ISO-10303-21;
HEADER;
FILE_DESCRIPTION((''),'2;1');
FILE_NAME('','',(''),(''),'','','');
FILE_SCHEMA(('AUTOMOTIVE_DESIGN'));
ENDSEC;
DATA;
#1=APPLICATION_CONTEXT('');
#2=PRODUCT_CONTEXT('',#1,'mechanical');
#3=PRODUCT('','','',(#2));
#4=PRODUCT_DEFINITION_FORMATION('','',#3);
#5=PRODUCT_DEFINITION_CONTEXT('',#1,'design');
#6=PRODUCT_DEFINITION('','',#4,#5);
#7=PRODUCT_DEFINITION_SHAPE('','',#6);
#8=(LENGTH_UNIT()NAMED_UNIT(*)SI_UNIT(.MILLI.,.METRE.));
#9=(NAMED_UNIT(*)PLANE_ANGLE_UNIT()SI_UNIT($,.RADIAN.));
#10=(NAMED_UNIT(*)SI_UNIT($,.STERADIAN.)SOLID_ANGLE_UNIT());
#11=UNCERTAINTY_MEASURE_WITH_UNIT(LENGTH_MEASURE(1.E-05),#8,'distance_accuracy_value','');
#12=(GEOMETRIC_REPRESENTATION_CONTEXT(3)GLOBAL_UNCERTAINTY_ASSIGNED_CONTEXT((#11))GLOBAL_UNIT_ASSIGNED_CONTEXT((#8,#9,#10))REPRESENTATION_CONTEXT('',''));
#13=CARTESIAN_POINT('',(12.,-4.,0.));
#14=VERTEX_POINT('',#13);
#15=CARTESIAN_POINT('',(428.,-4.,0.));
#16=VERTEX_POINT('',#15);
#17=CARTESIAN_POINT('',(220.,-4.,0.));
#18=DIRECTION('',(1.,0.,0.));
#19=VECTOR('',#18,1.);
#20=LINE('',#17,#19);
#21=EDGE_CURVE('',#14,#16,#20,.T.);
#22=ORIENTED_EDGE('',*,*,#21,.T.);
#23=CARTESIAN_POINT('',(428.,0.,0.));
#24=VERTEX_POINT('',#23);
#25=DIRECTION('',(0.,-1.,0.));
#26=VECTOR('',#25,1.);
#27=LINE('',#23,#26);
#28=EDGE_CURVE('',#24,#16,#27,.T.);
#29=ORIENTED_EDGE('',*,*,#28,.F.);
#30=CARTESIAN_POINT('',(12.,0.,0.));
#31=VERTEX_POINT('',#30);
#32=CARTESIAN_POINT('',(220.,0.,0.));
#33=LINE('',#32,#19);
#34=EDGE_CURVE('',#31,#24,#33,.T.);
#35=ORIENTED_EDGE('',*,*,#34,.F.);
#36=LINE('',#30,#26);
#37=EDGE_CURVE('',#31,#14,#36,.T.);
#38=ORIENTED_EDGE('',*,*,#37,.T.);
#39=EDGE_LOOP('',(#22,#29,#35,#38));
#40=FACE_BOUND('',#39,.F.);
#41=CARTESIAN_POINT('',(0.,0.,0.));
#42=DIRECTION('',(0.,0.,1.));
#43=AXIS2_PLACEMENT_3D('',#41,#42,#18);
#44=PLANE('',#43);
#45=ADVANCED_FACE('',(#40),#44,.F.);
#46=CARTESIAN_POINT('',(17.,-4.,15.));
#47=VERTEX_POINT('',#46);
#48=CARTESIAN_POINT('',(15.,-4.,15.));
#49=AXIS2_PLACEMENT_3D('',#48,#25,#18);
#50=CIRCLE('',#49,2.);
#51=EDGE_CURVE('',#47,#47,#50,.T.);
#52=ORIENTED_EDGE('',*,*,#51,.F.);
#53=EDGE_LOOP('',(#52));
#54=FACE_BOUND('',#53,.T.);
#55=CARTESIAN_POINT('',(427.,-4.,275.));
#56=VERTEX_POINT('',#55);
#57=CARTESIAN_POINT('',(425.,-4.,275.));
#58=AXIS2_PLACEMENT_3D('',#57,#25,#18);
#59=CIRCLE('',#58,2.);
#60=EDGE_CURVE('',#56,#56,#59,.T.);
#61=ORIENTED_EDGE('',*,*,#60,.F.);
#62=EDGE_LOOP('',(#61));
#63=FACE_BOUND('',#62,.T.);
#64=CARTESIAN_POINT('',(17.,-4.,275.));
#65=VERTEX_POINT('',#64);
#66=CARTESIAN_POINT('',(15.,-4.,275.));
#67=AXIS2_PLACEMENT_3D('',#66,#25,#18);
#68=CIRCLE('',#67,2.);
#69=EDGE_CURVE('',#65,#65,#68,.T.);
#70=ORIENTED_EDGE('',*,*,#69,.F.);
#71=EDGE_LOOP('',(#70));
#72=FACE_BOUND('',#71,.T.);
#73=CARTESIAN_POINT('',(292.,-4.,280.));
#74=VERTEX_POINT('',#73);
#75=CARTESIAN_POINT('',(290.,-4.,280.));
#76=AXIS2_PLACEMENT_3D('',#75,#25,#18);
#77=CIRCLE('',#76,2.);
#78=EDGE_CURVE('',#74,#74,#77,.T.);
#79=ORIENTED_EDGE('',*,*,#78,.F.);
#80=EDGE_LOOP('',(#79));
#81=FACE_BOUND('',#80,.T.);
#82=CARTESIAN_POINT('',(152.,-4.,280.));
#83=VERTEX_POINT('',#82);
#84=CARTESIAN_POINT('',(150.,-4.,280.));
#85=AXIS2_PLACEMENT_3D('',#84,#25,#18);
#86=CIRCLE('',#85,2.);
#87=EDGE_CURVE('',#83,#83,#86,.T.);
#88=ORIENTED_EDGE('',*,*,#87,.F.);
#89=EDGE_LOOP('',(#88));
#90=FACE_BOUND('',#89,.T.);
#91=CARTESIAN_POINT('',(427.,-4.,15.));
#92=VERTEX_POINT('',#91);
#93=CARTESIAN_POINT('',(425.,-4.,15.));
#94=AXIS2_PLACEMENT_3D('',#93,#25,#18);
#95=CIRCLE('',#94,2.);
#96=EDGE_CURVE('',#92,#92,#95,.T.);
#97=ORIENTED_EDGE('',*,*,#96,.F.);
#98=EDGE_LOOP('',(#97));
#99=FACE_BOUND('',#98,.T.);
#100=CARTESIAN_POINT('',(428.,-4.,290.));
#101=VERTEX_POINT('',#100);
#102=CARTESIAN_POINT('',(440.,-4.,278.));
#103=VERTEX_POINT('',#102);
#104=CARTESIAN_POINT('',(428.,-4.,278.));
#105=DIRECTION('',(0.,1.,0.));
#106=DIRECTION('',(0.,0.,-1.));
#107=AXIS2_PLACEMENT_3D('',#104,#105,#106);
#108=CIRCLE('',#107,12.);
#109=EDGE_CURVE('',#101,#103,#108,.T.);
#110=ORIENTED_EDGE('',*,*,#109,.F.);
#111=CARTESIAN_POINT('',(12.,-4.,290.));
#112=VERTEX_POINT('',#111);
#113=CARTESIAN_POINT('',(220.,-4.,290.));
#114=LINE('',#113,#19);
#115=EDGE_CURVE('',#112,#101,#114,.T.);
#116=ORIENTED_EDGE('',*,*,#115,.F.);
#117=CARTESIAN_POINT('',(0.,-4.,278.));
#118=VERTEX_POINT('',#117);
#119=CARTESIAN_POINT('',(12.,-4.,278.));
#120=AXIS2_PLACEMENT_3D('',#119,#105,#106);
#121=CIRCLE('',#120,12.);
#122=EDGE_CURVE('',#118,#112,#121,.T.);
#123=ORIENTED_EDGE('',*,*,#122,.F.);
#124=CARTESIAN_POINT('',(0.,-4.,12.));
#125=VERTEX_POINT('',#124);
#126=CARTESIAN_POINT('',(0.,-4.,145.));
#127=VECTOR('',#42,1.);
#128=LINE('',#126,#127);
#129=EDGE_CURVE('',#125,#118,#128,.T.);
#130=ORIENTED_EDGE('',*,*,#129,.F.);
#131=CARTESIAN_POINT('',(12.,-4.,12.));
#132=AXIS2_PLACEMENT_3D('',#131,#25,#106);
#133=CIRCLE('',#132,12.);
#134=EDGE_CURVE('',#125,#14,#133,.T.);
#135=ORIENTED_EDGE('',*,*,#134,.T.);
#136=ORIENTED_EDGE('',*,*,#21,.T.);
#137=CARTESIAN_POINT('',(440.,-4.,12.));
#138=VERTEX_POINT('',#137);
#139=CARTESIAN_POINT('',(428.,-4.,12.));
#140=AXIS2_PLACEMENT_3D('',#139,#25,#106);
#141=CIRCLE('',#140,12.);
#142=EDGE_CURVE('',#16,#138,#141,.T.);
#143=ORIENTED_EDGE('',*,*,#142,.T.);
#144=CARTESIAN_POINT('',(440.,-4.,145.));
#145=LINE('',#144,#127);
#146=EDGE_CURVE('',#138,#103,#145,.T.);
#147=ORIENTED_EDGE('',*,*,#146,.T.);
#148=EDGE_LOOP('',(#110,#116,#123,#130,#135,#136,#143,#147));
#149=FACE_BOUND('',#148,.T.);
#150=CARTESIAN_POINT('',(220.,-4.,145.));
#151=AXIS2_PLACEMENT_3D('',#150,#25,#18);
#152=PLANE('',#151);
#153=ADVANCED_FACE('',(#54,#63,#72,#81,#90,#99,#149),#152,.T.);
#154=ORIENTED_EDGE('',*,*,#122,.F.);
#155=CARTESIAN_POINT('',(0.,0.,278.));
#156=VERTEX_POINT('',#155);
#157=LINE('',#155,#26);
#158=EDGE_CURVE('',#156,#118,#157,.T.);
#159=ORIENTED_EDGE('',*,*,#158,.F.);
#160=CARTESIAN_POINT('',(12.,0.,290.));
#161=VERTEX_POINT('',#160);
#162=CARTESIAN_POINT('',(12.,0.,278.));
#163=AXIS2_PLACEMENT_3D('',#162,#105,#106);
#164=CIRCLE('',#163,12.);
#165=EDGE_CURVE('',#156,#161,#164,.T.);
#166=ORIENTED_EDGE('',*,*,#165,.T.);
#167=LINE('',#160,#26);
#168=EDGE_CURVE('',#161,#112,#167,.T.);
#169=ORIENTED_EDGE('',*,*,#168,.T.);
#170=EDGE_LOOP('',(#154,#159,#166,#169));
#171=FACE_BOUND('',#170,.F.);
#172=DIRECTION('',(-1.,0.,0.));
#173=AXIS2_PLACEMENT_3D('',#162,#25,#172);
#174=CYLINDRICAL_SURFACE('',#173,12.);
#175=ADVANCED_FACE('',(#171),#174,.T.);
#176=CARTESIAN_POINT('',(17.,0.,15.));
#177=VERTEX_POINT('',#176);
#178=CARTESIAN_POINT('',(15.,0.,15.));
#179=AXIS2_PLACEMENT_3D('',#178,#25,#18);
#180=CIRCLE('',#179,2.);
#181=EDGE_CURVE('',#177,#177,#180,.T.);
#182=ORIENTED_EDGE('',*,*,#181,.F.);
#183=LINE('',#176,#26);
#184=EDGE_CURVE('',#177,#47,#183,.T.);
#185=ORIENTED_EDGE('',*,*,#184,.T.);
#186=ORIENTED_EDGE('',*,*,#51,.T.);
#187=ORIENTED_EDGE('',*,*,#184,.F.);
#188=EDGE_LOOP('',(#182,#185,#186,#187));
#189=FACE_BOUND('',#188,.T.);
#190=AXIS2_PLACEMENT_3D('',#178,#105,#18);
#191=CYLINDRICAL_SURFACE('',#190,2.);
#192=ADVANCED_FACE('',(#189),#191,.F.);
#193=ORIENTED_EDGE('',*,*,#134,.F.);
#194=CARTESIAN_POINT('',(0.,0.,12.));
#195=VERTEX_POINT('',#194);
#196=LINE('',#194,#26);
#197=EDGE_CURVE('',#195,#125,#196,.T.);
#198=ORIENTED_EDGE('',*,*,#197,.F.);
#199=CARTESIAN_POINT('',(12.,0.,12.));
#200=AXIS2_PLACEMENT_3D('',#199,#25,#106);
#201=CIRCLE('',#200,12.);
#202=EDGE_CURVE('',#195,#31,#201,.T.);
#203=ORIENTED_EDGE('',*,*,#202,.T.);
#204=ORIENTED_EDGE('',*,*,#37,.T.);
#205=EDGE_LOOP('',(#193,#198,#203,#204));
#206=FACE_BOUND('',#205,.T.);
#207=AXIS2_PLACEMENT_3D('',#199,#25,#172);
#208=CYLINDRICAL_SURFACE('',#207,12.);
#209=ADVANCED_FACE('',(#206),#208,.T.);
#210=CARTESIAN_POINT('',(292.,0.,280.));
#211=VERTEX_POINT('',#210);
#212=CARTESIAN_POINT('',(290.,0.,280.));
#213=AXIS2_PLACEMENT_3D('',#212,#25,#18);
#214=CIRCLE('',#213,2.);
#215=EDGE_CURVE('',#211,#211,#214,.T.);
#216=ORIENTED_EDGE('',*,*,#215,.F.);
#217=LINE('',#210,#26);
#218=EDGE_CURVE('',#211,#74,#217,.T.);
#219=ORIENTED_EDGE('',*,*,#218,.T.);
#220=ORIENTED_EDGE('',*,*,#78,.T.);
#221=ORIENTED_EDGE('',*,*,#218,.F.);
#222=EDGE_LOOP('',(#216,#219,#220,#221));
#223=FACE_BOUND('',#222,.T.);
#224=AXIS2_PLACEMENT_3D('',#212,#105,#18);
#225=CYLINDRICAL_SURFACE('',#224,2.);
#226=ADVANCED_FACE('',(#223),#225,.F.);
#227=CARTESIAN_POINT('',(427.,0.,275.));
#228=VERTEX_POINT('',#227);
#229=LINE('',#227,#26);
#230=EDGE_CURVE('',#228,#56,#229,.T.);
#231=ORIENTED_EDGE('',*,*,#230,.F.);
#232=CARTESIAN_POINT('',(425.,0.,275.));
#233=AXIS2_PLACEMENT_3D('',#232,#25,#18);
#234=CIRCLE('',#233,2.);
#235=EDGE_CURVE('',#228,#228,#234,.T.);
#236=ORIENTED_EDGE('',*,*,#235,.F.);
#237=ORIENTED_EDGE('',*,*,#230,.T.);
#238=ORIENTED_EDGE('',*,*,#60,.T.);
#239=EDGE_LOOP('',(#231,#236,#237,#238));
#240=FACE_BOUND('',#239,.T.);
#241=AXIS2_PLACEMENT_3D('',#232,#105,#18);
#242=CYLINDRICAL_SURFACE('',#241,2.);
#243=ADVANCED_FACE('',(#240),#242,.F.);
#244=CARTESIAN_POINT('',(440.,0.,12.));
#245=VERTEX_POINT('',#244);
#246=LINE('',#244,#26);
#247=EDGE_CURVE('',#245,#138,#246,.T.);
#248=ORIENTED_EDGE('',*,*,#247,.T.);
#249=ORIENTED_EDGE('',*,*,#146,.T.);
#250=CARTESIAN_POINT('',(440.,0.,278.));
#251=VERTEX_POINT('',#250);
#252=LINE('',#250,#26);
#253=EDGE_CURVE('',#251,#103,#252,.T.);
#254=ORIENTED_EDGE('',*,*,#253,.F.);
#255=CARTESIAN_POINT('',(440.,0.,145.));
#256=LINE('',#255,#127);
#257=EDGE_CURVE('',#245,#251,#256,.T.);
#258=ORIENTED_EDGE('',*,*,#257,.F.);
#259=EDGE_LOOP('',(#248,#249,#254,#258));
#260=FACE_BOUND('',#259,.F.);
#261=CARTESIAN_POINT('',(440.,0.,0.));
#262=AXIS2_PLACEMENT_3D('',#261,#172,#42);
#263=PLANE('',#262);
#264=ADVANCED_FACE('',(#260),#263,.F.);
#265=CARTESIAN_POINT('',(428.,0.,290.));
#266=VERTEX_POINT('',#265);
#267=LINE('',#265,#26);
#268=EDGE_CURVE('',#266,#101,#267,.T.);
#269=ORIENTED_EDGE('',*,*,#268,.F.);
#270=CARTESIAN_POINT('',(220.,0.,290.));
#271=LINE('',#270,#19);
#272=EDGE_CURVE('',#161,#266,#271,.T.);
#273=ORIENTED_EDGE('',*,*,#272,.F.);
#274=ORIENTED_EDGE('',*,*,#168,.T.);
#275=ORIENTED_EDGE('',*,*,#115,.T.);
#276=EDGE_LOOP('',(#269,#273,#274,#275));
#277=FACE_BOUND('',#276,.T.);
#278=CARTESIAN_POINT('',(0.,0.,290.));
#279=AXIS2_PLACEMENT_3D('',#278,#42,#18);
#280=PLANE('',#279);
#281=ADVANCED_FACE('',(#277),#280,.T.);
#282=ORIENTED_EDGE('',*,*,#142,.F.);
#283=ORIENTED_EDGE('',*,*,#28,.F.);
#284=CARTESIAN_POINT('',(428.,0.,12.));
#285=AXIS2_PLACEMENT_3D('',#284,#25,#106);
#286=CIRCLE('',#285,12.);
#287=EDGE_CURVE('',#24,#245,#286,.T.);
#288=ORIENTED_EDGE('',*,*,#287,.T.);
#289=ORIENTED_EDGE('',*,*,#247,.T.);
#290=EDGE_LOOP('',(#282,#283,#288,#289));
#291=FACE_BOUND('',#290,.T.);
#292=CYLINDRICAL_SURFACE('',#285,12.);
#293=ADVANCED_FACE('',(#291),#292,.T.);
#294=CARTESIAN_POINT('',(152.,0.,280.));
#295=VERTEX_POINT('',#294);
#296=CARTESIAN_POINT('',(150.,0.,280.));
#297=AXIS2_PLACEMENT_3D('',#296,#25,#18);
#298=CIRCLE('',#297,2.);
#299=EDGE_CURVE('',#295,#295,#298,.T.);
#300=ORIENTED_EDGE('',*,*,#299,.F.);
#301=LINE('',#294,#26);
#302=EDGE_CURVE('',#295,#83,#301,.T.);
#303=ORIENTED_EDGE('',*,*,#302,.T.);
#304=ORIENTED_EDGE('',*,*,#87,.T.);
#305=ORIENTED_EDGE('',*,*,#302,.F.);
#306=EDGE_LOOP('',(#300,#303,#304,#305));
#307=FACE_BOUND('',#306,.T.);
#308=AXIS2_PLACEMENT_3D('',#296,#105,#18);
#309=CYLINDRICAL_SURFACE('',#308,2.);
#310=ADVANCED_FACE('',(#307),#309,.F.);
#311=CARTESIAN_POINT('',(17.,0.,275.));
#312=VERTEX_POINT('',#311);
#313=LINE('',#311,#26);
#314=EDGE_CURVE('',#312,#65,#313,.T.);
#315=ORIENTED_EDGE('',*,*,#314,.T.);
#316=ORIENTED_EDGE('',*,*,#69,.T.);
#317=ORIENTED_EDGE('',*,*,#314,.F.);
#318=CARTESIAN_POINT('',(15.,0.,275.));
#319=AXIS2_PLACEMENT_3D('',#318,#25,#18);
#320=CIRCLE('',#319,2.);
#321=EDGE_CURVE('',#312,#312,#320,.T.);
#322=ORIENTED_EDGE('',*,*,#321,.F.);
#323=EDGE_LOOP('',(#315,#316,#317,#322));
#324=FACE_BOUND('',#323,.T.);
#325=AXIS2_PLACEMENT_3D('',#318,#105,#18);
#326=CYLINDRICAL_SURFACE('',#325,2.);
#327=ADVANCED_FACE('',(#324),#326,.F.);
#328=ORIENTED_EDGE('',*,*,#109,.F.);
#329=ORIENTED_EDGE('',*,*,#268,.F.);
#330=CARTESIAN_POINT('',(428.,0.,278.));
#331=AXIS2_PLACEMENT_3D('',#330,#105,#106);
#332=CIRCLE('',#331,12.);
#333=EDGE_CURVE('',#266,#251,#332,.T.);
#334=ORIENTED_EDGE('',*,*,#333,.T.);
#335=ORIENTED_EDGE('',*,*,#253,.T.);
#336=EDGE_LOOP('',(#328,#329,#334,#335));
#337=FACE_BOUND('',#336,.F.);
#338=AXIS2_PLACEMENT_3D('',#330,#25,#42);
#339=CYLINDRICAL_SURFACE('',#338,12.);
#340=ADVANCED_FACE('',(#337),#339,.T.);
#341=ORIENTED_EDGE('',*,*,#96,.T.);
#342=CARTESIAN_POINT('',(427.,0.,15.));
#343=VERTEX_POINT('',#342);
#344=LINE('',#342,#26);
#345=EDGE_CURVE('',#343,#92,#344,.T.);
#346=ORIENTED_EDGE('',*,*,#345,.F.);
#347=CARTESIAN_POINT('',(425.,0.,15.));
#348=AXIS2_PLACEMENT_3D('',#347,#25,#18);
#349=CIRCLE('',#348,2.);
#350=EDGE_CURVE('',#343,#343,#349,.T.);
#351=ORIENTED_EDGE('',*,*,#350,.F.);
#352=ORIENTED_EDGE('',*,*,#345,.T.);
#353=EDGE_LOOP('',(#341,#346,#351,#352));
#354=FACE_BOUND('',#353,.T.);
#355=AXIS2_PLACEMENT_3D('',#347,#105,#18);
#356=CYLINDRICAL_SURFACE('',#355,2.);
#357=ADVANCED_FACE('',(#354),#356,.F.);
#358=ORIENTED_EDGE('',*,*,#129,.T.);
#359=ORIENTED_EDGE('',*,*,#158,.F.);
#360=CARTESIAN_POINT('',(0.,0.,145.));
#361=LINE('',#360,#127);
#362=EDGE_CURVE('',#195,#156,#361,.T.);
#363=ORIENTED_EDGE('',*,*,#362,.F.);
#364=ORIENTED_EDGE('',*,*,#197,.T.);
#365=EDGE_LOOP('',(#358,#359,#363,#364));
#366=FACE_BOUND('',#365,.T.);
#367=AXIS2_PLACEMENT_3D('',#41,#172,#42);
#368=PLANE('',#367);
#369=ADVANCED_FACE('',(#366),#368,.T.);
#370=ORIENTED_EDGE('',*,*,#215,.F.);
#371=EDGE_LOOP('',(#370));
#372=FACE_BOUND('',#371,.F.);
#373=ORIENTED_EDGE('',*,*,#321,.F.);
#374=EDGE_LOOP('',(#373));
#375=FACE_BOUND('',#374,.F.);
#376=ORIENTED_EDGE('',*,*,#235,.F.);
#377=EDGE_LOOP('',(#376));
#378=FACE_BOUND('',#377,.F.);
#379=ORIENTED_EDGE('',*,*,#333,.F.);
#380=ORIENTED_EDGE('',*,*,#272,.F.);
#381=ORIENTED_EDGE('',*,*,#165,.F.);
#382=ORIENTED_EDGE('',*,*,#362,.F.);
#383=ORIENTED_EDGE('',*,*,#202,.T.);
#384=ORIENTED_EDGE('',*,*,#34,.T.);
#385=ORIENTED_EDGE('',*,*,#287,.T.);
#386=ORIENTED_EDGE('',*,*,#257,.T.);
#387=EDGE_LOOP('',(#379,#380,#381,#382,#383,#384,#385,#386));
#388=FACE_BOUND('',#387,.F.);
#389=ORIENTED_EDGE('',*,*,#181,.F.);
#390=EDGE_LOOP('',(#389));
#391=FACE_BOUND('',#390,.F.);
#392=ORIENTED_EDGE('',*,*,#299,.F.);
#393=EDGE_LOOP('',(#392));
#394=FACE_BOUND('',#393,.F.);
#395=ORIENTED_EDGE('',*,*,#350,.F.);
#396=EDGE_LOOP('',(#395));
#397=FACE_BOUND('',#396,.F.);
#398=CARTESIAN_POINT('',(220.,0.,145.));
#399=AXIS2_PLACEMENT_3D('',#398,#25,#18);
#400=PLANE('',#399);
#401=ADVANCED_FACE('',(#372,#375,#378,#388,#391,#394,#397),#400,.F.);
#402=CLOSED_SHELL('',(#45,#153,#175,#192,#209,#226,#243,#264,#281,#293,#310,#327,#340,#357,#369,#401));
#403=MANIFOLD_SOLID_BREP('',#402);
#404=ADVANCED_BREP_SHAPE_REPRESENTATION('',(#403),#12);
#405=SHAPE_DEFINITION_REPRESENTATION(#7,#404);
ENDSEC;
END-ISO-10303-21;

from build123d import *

# Parameters (mm, degrees)
F0_W     = 440
F0_H     = 290
F0_R     = 2
F1_DEPTH = 4
F2_R     = 12


with BuildPart() as f1:
    # F0 (on Front) → F1 (new body)
    with BuildSketch(Plane.XZ):
        with Locations((220, 145)):
            Rectangle(F0_W, F0_H)
        with Locations((15, 15)):
            Circle(F0_R, mode=Mode.SUBTRACT)
        with Locations((425, 15)):
            Circle(F0_R, mode=Mode.SUBTRACT)
        with Locations((15, 275)):
            Circle(F0_R, mode=Mode.SUBTRACT)
        with Locations((150, 280)):
            Circle(F0_R, mode=Mode.SUBTRACT)
        with Locations((290, 280)):
            Circle(F0_R, mode=Mode.SUBTRACT)
        with Locations((425, 275)):
            Circle(F0_R, mode=Mode.SUBTRACT)
    extrude(amount=F1_DEPTH)

    # F2
    f2_edges = [f1.edges().sort_by_distance(p)[0] for p in [
        (440, -2, 290),
        (0, -2, 290),
        (0, -2, 0),
        (440, -2, 0),
    ]]
    fillet(f2_edges, radius=F2_R)


solid = f1.part
